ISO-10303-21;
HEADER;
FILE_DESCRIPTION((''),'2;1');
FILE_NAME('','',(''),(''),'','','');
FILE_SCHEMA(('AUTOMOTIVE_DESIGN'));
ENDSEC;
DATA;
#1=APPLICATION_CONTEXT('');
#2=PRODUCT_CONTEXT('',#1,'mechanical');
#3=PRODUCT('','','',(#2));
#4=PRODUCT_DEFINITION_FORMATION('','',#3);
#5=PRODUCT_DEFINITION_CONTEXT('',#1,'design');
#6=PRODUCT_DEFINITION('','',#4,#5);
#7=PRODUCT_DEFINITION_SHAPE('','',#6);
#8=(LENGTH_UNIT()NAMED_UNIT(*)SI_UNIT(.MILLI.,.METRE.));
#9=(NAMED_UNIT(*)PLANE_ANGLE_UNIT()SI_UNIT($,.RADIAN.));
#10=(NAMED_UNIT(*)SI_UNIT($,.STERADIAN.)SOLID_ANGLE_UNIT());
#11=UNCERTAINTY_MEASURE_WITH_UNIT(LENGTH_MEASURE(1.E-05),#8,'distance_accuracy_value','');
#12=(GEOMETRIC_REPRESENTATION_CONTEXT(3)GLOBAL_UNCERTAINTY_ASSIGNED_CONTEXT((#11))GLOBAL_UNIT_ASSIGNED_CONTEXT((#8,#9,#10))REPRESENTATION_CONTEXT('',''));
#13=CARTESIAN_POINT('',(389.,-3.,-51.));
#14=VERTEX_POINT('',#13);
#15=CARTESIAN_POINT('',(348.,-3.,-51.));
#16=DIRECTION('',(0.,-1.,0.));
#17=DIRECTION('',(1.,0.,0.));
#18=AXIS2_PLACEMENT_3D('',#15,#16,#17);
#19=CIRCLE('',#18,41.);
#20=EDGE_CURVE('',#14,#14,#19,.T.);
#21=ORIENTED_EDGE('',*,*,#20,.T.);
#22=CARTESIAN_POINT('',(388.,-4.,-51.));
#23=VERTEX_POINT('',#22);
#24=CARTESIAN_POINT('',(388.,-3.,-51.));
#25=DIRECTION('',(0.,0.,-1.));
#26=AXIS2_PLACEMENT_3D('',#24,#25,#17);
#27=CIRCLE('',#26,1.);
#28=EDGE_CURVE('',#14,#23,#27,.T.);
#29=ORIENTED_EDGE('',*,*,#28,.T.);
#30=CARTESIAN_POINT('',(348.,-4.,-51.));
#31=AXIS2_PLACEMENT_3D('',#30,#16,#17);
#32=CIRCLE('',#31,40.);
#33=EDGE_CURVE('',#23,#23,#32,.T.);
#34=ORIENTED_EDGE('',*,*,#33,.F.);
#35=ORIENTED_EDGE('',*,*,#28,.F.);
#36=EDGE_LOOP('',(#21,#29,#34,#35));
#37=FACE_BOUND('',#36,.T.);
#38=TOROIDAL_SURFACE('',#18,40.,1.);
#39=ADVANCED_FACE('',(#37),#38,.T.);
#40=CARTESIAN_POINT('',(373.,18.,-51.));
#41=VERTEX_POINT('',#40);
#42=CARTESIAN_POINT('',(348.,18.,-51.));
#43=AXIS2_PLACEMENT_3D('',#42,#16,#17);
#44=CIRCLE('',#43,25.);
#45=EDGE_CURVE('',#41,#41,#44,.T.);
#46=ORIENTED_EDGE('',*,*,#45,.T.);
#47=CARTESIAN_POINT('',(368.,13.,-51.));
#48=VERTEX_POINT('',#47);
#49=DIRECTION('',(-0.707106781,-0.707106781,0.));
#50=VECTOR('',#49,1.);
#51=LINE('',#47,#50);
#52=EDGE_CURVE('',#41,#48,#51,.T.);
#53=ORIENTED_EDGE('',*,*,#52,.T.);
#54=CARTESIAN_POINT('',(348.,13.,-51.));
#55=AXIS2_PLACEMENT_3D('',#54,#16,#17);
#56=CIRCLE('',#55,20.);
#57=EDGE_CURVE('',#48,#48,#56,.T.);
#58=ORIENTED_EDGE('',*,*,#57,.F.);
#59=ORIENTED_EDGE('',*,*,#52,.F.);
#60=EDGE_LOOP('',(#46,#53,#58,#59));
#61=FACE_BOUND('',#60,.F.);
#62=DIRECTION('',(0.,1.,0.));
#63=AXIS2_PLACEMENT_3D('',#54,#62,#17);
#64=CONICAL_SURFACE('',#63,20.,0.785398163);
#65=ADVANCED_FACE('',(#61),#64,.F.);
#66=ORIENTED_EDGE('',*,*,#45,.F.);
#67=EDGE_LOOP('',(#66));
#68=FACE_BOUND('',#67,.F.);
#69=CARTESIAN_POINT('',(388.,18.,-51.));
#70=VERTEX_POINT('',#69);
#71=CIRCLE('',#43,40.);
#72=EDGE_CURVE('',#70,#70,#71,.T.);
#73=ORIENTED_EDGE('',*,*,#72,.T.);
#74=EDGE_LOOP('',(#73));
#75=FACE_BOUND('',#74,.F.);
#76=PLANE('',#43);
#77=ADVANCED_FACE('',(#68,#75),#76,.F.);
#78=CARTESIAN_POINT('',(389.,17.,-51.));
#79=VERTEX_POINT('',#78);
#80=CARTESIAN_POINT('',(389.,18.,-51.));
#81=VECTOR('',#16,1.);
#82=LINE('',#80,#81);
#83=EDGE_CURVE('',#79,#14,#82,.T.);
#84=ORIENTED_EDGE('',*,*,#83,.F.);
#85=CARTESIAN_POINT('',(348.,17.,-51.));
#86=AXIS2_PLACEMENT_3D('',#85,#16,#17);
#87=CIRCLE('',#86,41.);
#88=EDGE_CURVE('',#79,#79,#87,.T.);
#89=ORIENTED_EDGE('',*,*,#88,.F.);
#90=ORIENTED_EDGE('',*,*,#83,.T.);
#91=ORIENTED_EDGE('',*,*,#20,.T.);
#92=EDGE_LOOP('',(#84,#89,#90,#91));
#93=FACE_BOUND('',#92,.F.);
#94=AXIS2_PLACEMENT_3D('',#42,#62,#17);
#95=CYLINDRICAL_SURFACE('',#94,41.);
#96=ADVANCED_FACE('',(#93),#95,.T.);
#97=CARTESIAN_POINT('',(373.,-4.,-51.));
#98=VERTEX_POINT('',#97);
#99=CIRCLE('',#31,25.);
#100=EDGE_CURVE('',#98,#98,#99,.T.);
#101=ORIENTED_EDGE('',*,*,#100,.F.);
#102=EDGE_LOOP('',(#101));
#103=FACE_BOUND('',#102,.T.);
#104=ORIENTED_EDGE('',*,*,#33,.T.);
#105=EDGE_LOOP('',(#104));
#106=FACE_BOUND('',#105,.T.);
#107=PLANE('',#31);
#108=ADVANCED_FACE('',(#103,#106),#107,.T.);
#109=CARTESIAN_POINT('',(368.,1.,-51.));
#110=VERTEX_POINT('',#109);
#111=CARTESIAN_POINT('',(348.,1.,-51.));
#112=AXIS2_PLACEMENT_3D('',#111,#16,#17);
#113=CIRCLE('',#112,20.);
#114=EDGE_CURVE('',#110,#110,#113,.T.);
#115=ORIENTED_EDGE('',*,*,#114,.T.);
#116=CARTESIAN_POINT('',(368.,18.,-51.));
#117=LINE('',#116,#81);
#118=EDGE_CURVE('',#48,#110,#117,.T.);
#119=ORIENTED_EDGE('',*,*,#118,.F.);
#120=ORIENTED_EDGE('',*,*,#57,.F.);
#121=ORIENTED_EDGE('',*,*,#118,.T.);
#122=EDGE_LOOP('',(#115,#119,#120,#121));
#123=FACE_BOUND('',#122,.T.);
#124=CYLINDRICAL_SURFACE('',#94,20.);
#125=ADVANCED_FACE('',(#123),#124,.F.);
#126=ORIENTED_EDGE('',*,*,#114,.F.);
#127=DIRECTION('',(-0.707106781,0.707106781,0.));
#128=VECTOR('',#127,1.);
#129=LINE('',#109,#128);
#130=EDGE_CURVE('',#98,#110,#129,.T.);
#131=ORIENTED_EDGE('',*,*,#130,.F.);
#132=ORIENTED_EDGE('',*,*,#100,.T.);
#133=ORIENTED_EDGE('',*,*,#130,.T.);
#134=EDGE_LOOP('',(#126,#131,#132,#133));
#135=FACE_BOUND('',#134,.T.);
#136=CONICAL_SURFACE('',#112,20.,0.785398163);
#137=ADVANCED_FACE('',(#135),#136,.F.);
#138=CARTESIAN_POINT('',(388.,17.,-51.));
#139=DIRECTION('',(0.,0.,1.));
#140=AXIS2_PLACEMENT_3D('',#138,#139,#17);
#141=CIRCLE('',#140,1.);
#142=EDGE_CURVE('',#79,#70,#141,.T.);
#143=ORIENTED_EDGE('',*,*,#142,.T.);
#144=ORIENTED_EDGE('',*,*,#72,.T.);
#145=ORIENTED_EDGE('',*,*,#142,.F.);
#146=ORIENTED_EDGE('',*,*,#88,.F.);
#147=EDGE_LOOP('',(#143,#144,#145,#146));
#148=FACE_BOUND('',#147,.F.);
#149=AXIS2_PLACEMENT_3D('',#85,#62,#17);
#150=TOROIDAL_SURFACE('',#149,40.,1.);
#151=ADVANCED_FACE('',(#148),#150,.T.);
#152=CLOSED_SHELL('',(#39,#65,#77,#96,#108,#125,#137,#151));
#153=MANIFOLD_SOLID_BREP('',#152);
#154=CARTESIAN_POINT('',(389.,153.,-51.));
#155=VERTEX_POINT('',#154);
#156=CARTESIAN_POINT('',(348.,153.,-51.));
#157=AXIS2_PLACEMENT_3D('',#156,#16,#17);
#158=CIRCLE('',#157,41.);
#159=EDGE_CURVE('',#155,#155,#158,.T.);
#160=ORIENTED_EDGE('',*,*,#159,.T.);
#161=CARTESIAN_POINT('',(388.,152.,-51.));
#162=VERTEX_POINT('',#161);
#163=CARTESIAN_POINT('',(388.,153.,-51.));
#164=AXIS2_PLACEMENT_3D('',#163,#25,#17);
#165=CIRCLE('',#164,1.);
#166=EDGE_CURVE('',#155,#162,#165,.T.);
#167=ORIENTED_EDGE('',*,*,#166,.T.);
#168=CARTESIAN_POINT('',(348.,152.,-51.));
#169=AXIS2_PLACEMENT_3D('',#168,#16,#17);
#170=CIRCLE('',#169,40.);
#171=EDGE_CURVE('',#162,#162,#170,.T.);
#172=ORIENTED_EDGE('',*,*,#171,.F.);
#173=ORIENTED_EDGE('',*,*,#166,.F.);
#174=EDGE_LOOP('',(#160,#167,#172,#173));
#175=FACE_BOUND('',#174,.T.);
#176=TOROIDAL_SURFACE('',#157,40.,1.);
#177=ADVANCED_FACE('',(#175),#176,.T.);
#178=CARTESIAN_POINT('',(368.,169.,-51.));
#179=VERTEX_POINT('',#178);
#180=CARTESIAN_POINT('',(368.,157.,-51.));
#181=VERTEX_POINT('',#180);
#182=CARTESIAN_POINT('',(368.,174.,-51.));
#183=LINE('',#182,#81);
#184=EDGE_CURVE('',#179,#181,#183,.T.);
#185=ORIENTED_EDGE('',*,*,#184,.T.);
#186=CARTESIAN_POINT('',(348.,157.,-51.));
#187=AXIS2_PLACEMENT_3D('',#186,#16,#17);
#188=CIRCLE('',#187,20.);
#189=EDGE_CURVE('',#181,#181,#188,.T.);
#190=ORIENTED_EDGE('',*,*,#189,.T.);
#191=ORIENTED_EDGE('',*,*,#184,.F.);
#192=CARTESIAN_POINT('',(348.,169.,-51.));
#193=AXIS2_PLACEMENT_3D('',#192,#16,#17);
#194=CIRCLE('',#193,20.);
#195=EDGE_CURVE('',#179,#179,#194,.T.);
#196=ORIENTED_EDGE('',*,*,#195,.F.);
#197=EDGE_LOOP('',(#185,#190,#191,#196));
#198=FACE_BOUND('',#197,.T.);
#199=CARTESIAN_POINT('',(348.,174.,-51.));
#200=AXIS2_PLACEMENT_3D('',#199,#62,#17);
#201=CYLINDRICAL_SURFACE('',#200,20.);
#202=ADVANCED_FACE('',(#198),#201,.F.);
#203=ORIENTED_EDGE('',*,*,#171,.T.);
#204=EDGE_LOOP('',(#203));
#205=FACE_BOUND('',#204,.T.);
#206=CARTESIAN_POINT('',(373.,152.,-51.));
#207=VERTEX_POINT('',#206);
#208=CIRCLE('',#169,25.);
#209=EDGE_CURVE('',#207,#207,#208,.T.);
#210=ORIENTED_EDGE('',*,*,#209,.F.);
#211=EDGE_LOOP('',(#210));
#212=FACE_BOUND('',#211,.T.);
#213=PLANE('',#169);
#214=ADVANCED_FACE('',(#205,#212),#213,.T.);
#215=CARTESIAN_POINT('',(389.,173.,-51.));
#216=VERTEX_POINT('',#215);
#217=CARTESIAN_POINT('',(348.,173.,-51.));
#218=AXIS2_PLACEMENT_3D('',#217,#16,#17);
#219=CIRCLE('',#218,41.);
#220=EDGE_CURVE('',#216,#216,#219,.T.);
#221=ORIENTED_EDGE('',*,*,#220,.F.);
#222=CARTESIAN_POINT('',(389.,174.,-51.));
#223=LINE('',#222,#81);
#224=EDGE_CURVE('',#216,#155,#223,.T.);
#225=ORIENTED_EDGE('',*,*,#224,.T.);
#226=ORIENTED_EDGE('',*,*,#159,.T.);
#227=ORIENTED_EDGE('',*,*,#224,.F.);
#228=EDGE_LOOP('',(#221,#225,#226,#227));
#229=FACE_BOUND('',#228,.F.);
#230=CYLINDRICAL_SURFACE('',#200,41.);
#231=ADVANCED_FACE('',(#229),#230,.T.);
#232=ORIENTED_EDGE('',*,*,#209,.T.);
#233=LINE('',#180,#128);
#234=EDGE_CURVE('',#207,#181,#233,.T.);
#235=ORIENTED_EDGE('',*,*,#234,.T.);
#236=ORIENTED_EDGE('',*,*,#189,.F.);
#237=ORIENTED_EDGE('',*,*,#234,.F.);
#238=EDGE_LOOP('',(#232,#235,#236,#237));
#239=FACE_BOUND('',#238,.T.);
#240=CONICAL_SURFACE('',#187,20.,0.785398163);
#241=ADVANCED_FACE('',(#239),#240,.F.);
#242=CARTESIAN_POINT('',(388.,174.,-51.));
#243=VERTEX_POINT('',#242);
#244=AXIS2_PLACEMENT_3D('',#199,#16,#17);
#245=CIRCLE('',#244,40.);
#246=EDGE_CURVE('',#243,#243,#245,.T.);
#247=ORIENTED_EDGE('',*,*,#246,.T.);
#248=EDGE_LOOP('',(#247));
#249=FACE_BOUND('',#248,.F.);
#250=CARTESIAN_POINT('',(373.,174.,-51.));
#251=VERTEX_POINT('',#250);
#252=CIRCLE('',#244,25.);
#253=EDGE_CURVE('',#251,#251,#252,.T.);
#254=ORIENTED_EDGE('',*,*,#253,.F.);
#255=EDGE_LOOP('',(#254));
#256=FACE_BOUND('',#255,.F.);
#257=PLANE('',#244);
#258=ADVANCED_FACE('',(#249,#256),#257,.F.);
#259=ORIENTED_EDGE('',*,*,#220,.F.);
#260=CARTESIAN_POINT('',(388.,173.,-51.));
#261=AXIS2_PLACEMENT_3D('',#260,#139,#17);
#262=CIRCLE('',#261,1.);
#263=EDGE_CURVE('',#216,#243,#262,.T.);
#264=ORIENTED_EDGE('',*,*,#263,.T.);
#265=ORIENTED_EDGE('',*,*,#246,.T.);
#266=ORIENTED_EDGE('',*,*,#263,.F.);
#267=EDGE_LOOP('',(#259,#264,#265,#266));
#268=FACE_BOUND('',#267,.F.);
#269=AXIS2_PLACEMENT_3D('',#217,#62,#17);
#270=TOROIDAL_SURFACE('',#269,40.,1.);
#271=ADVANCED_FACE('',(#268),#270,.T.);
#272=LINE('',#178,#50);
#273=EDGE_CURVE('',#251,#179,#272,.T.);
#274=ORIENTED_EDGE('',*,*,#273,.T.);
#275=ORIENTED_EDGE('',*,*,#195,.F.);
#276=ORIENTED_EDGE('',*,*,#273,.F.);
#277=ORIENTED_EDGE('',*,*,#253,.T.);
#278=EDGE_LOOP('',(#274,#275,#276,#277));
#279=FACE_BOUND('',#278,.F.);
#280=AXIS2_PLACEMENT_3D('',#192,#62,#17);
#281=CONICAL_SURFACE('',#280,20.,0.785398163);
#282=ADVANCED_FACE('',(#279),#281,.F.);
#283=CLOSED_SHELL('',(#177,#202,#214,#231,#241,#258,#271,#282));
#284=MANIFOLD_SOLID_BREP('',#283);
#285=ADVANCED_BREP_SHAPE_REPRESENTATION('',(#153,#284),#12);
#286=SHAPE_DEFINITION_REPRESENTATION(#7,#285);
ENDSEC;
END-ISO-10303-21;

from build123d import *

# Parameters (mm, degrees)
CYLINDER290_R          = 20
CYLINDER290_DEPTH      = 22
CYLINDER290_ROLL_ANGLE = 90
CYLINDER289_R          = 41
CYLINDER289_DEPTH      = 22
CYLINDER289_ROLL_ANGLE = 90
FILLET267_R            = 1
CYLINDER291_R          = 20
CYLINDER291_DEPTH      = 22
CYLINDER291_ROLL_ANGLE = 90
CYLINDER288_R          = 41
CYLINDER288_DEPTH      = 22
CYLINDER288_ROLL_ANGLE = 90
FILLET266_R            = 1
CHAMFER056_SIZE        = 5


with BuildPart() as cylinder290:
    # Cylinder290 → Cylinder290 (new body)
    with BuildSketch(Plane.XY):
        Circle(CYLINDER290_R)
    extrude(amount=CYLINDER290_DEPTH)


with BuildPart() as cylinder290_1:
    # Cylinder290 roll: moved
    add(cylinder290.part.rotate(Axis((0, 0, 0), (1, 0, 0)), CYLINDER290_ROLL_ANGLE))


with BuildPart() as cylinder290_2:
    # Cylinder290 placement: moved
    add(cylinder290_1.part)


with BuildPart() as fillet267:
    # Cylinder289 → Cylinder289 (new body)
    with BuildSketch(Plane.XY):
        Circle(CYLINDER289_R)
    extrude(amount=CYLINDER289_DEPTH)


with BuildPart() as fillet267_1:
    # Cylinder289 roll: moved
    add(fillet267.part.rotate(Axis((0, 0, 0), (1, 0, 0)), CYLINDER289_ROLL_ANGLE))


with BuildPart() as fillet267_2:
    # Cylinder289 placement: moved
    add(fillet267_1.part)

    # Cut427: cut Cylinder290
    add(cylinder290_2.part, mode=Mode.SUBTRACT)

    # Fillet267
    fillet267_edges = [fillet267_2.edges().sort_by_distance(p)[0] for p in [
        (-41, -22, 0),
        (-41, 0, 0),
    ]]
    fillet(fillet267_edges, radius=FILLET267_R)


with BuildPart() as fillet267_3:
    # Fillet267 placement: moved
    add(fillet267_2.part.moved(Location((0, 174, 0))))


with BuildPart() as cylinder291:
    # Cylinder291 → Cylinder291 (new body)
    with BuildSketch(Plane.XY):
        Circle(CYLINDER291_R)
    extrude(amount=CYLINDER291_DEPTH)


with BuildPart() as cylinder291_1:
    # Cylinder291 roll: moved
    add(cylinder291.part.rotate(Axis((0, 0, 0), (1, 0, 0)), CYLINDER291_ROLL_ANGLE))


with BuildPart() as cylinder291_2:
    # Cylinder291 placement: moved
    add(cylinder291_1.part)


with BuildPart() as whees_middle:
    # Cylinder288 → Cylinder288 (new body)
    with BuildSketch(Plane.XY):
        Circle(CYLINDER288_R)
    extrude(amount=CYLINDER288_DEPTH)


with BuildPart() as whees_middle_1:
    # Cylinder288 roll: moved
    add(whees_middle.part.rotate(Axis((0, 0, 0), (1, 0, 0)), CYLINDER288_ROLL_ANGLE))


with BuildPart() as whees_middle_2:
    # Cylinder288 placement: moved
    add(whees_middle_1.part)

    # Cut428: cut Cylinder291
    add(cylinder291_2.part, mode=Mode.SUBTRACT)

    # Fillet266
    fillet266_edges = [whees_middle_2.edges().sort_by_distance(p)[0] for p in [
        (-41, -22, 0),
        (-41, 0, 0),
    ]]
    fillet(fillet266_edges, radius=FILLET266_R)


with BuildPart() as whees_middle_3:
    # Fillet266 placement: moved
    add(whees_middle_2.part.moved(Location((0, 18, 0))))

    # Fusion244: union Fillet267
    add(fillet267_3.part)


with BuildPart() as whees_middle_4:
    # Fusion244 placement: moved
    add(whees_middle_3.part.moved(Location((348, 0, -51))))

    # Chamfer056
    chamfer056_edges = [whees_middle_4.edges().sort_by_distance(p)[0] for p in [
        (328, 18, -51),
        (328, -4, -51),
        (328, 174, -51),
        (328, 152, -51),
    ]]
    chamfer(chamfer056_edges, length=CHAMFER056_SIZE)


solid = whees_middle_4.part
